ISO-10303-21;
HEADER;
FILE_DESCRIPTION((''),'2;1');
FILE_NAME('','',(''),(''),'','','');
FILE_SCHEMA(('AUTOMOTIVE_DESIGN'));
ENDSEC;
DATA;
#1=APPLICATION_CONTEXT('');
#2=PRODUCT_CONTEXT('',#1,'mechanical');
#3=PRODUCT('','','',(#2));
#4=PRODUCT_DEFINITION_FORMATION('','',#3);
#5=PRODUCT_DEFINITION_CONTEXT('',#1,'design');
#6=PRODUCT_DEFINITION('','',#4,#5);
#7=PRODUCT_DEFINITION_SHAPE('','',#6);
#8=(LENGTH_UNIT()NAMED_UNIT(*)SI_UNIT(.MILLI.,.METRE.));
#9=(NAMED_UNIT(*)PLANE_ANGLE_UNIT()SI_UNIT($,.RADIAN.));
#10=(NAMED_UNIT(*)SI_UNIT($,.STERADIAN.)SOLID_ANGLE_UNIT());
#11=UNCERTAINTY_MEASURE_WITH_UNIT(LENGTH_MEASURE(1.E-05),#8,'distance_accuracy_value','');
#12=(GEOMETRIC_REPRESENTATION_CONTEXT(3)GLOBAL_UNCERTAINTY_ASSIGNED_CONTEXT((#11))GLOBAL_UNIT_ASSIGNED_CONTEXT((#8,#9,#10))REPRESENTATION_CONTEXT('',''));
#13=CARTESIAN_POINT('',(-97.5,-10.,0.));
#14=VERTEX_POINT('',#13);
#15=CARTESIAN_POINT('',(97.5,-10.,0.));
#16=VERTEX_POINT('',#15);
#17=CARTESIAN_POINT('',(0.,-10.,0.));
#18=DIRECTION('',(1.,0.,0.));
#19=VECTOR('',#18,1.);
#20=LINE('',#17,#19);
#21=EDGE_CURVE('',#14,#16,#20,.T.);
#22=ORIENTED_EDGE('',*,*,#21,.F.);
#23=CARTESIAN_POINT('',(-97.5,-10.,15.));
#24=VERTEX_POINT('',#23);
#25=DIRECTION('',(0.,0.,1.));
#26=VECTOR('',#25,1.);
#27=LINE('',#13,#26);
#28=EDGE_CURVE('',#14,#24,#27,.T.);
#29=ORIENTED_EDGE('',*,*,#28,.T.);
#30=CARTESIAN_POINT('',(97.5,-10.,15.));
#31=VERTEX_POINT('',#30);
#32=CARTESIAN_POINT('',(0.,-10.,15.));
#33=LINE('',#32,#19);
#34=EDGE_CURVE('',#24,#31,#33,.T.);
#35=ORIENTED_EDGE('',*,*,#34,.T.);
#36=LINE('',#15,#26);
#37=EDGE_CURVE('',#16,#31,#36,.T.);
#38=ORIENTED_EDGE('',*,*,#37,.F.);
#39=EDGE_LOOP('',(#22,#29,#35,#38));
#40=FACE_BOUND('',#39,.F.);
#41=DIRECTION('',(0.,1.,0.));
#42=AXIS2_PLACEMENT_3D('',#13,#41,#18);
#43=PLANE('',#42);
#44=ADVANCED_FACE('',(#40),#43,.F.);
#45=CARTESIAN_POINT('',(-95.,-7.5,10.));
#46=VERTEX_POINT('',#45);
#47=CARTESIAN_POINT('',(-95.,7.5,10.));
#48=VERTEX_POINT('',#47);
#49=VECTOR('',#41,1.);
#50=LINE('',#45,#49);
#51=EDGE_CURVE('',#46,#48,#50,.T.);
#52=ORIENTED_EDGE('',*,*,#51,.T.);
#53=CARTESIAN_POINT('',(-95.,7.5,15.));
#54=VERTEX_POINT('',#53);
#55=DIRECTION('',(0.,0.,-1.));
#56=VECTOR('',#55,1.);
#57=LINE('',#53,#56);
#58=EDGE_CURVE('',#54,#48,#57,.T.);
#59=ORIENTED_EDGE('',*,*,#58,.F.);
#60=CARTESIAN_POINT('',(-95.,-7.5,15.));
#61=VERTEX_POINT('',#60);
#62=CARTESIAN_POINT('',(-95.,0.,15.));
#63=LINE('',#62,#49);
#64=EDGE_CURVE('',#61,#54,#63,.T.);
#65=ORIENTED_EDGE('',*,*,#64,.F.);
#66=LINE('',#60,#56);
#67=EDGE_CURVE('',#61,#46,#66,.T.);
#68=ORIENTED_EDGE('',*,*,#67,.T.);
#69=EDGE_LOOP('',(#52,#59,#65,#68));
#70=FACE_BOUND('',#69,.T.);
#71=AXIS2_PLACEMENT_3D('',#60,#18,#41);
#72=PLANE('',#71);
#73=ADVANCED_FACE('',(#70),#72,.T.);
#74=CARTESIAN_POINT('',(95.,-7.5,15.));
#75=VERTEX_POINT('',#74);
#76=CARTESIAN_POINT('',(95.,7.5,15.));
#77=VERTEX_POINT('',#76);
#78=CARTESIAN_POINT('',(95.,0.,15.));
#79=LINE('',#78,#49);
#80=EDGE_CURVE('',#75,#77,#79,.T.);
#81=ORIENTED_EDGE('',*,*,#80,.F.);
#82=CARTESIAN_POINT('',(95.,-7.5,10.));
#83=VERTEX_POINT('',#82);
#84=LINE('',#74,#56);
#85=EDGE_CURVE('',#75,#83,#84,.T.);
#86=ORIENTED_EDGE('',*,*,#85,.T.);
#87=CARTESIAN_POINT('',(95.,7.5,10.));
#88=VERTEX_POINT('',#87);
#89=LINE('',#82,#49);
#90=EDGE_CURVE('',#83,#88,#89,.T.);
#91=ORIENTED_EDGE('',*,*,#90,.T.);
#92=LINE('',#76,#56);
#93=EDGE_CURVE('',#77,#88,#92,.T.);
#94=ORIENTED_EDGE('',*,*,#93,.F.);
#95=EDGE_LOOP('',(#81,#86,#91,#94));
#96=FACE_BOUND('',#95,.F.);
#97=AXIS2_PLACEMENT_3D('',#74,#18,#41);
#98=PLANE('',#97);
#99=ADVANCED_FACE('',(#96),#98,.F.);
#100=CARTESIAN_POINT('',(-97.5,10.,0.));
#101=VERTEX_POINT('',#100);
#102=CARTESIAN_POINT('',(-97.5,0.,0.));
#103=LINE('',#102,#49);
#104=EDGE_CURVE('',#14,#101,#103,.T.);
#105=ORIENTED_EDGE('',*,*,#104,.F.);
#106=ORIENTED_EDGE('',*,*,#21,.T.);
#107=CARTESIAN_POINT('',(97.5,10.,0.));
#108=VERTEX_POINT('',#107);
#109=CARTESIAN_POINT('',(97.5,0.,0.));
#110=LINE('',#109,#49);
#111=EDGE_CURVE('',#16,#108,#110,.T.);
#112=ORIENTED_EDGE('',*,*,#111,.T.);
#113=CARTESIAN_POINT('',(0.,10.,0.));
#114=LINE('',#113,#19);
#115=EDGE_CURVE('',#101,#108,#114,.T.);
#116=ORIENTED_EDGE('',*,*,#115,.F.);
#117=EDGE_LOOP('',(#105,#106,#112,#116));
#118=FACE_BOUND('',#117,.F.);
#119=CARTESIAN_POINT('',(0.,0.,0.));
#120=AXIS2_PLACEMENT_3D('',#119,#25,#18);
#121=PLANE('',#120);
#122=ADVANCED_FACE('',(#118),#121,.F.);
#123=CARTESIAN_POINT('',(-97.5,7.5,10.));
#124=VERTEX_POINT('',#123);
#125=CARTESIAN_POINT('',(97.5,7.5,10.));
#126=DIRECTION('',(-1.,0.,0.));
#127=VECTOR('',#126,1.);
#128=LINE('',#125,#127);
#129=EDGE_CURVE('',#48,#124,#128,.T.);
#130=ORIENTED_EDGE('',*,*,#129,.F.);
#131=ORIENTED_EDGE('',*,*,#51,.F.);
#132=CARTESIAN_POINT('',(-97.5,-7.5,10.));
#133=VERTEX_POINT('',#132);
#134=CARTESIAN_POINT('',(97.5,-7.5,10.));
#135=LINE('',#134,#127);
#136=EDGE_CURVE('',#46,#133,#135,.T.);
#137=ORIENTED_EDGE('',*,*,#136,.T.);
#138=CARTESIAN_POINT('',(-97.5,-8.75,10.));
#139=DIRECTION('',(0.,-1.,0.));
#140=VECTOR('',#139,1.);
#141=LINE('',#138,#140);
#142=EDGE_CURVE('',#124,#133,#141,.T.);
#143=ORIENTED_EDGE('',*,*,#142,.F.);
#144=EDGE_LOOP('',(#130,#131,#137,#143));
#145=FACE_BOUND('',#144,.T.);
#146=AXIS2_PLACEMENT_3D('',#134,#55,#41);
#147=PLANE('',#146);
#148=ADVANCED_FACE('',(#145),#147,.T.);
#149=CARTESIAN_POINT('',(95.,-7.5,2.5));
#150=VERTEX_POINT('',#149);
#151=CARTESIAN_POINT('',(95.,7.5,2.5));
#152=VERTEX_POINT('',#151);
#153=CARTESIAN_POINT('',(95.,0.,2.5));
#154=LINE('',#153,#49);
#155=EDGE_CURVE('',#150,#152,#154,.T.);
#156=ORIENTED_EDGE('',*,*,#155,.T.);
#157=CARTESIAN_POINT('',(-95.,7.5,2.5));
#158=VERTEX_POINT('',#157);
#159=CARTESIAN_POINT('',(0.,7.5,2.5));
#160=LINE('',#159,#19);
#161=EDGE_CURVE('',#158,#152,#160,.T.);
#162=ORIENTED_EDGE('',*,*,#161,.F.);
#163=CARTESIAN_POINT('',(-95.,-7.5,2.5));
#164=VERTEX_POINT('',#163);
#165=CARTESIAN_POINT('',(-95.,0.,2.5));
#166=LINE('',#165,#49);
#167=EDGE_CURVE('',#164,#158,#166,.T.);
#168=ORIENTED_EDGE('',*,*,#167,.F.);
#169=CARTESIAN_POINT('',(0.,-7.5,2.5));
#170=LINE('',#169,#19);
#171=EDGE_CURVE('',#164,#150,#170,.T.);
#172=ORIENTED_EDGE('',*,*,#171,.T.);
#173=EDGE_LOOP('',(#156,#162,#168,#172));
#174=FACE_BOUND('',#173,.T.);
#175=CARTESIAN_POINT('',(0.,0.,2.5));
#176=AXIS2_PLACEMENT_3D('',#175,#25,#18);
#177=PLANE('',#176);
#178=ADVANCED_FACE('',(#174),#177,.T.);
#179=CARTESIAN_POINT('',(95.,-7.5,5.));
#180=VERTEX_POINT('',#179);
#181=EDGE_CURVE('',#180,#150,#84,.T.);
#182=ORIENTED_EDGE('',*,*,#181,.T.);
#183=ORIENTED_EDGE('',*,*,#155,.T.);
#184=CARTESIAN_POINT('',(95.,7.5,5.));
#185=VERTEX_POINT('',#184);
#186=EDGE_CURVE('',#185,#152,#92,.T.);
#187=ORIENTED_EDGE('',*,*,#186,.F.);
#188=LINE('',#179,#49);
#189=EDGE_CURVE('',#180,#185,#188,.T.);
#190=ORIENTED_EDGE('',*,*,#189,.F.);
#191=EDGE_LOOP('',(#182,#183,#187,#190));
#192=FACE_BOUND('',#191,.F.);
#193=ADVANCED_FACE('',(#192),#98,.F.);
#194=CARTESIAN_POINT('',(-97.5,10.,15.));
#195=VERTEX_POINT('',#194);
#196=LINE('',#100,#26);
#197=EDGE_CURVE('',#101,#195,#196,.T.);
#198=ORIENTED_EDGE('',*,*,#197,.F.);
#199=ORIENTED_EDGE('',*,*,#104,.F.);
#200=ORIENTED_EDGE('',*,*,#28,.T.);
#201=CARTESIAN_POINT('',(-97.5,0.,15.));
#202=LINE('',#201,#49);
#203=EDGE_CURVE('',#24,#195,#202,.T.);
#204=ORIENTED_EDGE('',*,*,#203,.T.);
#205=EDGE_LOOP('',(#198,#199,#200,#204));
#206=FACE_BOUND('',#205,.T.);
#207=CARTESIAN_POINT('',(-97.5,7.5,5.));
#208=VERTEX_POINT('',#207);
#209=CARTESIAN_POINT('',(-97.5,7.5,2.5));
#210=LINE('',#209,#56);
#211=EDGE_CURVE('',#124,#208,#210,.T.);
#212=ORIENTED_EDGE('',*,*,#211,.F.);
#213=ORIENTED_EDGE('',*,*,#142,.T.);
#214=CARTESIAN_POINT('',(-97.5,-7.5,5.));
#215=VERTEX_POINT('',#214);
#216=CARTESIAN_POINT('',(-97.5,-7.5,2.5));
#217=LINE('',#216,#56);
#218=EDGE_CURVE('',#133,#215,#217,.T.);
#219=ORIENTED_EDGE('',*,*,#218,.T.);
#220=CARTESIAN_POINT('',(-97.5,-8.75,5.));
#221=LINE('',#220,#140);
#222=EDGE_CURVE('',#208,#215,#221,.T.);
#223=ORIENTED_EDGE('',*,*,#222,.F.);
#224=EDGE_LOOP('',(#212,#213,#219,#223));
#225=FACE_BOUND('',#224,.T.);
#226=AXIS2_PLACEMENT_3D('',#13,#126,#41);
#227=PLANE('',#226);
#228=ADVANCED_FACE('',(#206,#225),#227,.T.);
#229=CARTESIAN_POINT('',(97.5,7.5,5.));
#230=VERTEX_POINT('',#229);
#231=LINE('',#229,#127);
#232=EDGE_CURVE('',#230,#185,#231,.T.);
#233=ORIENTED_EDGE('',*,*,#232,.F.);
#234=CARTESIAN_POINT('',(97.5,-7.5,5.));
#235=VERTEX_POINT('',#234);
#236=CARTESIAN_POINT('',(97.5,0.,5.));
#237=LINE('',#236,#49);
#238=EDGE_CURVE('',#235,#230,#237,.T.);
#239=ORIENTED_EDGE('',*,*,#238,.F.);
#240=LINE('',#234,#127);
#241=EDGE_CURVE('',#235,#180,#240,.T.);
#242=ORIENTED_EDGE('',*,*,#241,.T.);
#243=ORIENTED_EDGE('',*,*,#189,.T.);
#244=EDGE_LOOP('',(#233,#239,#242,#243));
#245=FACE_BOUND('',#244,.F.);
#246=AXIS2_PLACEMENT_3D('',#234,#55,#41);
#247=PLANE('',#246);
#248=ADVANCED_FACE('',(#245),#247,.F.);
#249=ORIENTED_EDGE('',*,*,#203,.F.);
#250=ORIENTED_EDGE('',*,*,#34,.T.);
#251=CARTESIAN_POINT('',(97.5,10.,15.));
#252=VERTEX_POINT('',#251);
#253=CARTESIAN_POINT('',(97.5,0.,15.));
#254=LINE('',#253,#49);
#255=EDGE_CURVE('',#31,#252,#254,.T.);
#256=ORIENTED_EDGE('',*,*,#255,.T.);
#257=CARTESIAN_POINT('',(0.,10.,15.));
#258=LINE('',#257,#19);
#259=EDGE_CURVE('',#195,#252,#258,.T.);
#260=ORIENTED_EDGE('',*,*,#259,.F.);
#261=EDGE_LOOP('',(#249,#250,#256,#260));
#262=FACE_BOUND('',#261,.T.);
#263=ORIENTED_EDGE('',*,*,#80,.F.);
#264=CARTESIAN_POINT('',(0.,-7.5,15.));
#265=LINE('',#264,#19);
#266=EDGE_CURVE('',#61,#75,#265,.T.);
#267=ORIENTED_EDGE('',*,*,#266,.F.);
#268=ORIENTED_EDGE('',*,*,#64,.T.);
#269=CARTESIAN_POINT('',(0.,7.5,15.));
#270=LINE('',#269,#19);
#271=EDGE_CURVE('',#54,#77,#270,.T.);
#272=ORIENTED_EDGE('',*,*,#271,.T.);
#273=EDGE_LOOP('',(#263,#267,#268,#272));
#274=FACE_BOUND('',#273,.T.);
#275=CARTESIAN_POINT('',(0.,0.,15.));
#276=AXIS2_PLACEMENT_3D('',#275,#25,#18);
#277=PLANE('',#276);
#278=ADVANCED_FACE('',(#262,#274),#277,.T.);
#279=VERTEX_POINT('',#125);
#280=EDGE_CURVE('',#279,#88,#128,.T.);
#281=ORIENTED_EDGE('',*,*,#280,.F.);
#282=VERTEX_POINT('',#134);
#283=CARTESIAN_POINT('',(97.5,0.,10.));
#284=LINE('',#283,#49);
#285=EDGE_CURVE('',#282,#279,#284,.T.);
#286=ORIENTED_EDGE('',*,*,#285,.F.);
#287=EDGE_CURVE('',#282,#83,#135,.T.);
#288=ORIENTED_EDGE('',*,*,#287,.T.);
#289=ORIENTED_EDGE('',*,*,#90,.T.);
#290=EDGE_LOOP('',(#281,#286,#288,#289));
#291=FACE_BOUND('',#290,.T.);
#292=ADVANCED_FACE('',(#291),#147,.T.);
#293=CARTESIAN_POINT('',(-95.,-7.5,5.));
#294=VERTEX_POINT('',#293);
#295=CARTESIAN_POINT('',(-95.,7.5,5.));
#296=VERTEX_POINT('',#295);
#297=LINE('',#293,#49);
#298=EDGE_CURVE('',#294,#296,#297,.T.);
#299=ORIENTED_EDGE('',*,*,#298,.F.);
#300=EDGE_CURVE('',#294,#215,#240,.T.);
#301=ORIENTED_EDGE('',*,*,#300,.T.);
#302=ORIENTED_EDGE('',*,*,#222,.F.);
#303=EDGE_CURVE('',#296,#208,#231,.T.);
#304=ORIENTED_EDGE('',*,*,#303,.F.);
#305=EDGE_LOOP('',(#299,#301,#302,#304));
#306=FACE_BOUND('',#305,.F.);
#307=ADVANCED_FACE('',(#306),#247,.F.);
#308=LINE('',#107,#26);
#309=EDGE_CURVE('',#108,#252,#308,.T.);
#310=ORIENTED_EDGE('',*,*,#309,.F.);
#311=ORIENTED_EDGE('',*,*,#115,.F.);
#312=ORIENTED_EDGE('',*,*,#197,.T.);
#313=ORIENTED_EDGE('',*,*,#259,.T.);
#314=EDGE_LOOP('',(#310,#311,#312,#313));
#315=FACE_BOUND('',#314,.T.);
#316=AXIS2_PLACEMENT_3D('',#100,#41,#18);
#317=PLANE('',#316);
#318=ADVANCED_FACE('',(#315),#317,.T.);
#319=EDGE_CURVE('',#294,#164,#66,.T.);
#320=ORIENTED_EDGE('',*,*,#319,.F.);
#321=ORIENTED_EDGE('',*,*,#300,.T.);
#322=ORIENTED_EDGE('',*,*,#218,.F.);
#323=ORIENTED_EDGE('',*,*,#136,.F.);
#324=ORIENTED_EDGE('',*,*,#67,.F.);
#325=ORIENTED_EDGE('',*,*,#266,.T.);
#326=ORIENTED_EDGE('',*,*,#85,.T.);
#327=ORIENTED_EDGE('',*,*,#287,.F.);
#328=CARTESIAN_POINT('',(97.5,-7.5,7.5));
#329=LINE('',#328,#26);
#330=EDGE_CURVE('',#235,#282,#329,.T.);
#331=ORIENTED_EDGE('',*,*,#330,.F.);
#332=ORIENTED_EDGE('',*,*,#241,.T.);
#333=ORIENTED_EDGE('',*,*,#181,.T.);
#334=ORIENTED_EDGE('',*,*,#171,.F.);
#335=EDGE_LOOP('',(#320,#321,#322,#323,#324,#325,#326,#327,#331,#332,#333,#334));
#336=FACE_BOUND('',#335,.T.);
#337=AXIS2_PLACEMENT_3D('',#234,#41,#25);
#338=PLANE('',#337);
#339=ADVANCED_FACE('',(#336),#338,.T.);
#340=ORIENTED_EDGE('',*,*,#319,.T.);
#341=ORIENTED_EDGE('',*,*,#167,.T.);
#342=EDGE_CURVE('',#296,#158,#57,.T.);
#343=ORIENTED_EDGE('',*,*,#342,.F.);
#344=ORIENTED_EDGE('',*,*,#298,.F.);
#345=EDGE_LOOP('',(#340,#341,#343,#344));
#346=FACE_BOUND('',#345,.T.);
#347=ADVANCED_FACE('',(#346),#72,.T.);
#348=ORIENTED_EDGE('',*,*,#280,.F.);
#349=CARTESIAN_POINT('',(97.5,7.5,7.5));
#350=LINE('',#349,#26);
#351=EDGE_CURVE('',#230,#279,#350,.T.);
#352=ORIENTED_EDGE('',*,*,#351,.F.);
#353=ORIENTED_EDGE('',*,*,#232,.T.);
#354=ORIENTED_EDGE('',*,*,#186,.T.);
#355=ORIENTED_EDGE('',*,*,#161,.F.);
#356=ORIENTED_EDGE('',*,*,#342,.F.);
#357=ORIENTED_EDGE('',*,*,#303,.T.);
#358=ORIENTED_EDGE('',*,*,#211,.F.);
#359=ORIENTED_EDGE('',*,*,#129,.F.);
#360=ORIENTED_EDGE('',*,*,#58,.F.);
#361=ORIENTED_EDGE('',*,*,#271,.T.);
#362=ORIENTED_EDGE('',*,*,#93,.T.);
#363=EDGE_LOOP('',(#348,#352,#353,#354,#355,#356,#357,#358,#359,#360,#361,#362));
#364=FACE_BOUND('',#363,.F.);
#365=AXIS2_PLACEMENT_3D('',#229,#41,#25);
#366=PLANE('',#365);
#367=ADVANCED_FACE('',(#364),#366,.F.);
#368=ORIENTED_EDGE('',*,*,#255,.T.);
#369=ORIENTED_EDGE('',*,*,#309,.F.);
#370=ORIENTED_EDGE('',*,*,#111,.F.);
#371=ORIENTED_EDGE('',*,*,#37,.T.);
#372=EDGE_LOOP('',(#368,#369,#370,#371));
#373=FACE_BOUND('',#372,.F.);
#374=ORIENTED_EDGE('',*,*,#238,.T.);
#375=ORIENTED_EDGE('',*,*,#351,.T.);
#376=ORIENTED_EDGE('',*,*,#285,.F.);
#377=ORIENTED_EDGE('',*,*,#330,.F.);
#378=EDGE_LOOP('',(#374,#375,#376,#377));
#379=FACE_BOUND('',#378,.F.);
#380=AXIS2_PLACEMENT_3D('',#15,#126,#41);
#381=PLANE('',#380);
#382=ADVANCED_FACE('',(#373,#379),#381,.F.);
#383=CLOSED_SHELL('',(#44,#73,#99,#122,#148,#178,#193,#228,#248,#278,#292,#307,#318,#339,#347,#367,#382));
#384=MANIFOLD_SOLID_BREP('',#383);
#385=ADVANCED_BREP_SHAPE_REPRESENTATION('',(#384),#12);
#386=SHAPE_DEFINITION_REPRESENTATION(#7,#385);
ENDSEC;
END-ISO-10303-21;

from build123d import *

# Parameters (mm, degrees)
F0_W     = 195
F0_H     = 20
F1_DEPTH = 15
F2_W     = 190
F2_H     = 15
F3_DEPTH = 12.5
F4_W     = 15
F4_H     = 5
F5_DEPTH = 195.001


with BuildPart() as f1:
    # F0 (on Top) → F1 (new body)
    with BuildSketch(Plane.XY):
        Rectangle(F0_W, F0_H)
    extrude(amount=F1_DEPTH)

    # F2 (on face) → F3 (cut)
    with BuildSketch(Plane.XY.offset(15)):
        Rectangle(F2_W, F2_H)
    extrude(amount=-F3_DEPTH, mode=Mode.SUBTRACT)

    # F4 (on face) → F5 (cut, through all)
    with BuildSketch(Plane.YZ.offset(97.5)):
        with Locations((0, 7.5)):
            Rectangle(F4_W, F4_H)
    extrude(amount=-F5_DEPTH, mode=Mode.SUBTRACT)


solid = f1.part
